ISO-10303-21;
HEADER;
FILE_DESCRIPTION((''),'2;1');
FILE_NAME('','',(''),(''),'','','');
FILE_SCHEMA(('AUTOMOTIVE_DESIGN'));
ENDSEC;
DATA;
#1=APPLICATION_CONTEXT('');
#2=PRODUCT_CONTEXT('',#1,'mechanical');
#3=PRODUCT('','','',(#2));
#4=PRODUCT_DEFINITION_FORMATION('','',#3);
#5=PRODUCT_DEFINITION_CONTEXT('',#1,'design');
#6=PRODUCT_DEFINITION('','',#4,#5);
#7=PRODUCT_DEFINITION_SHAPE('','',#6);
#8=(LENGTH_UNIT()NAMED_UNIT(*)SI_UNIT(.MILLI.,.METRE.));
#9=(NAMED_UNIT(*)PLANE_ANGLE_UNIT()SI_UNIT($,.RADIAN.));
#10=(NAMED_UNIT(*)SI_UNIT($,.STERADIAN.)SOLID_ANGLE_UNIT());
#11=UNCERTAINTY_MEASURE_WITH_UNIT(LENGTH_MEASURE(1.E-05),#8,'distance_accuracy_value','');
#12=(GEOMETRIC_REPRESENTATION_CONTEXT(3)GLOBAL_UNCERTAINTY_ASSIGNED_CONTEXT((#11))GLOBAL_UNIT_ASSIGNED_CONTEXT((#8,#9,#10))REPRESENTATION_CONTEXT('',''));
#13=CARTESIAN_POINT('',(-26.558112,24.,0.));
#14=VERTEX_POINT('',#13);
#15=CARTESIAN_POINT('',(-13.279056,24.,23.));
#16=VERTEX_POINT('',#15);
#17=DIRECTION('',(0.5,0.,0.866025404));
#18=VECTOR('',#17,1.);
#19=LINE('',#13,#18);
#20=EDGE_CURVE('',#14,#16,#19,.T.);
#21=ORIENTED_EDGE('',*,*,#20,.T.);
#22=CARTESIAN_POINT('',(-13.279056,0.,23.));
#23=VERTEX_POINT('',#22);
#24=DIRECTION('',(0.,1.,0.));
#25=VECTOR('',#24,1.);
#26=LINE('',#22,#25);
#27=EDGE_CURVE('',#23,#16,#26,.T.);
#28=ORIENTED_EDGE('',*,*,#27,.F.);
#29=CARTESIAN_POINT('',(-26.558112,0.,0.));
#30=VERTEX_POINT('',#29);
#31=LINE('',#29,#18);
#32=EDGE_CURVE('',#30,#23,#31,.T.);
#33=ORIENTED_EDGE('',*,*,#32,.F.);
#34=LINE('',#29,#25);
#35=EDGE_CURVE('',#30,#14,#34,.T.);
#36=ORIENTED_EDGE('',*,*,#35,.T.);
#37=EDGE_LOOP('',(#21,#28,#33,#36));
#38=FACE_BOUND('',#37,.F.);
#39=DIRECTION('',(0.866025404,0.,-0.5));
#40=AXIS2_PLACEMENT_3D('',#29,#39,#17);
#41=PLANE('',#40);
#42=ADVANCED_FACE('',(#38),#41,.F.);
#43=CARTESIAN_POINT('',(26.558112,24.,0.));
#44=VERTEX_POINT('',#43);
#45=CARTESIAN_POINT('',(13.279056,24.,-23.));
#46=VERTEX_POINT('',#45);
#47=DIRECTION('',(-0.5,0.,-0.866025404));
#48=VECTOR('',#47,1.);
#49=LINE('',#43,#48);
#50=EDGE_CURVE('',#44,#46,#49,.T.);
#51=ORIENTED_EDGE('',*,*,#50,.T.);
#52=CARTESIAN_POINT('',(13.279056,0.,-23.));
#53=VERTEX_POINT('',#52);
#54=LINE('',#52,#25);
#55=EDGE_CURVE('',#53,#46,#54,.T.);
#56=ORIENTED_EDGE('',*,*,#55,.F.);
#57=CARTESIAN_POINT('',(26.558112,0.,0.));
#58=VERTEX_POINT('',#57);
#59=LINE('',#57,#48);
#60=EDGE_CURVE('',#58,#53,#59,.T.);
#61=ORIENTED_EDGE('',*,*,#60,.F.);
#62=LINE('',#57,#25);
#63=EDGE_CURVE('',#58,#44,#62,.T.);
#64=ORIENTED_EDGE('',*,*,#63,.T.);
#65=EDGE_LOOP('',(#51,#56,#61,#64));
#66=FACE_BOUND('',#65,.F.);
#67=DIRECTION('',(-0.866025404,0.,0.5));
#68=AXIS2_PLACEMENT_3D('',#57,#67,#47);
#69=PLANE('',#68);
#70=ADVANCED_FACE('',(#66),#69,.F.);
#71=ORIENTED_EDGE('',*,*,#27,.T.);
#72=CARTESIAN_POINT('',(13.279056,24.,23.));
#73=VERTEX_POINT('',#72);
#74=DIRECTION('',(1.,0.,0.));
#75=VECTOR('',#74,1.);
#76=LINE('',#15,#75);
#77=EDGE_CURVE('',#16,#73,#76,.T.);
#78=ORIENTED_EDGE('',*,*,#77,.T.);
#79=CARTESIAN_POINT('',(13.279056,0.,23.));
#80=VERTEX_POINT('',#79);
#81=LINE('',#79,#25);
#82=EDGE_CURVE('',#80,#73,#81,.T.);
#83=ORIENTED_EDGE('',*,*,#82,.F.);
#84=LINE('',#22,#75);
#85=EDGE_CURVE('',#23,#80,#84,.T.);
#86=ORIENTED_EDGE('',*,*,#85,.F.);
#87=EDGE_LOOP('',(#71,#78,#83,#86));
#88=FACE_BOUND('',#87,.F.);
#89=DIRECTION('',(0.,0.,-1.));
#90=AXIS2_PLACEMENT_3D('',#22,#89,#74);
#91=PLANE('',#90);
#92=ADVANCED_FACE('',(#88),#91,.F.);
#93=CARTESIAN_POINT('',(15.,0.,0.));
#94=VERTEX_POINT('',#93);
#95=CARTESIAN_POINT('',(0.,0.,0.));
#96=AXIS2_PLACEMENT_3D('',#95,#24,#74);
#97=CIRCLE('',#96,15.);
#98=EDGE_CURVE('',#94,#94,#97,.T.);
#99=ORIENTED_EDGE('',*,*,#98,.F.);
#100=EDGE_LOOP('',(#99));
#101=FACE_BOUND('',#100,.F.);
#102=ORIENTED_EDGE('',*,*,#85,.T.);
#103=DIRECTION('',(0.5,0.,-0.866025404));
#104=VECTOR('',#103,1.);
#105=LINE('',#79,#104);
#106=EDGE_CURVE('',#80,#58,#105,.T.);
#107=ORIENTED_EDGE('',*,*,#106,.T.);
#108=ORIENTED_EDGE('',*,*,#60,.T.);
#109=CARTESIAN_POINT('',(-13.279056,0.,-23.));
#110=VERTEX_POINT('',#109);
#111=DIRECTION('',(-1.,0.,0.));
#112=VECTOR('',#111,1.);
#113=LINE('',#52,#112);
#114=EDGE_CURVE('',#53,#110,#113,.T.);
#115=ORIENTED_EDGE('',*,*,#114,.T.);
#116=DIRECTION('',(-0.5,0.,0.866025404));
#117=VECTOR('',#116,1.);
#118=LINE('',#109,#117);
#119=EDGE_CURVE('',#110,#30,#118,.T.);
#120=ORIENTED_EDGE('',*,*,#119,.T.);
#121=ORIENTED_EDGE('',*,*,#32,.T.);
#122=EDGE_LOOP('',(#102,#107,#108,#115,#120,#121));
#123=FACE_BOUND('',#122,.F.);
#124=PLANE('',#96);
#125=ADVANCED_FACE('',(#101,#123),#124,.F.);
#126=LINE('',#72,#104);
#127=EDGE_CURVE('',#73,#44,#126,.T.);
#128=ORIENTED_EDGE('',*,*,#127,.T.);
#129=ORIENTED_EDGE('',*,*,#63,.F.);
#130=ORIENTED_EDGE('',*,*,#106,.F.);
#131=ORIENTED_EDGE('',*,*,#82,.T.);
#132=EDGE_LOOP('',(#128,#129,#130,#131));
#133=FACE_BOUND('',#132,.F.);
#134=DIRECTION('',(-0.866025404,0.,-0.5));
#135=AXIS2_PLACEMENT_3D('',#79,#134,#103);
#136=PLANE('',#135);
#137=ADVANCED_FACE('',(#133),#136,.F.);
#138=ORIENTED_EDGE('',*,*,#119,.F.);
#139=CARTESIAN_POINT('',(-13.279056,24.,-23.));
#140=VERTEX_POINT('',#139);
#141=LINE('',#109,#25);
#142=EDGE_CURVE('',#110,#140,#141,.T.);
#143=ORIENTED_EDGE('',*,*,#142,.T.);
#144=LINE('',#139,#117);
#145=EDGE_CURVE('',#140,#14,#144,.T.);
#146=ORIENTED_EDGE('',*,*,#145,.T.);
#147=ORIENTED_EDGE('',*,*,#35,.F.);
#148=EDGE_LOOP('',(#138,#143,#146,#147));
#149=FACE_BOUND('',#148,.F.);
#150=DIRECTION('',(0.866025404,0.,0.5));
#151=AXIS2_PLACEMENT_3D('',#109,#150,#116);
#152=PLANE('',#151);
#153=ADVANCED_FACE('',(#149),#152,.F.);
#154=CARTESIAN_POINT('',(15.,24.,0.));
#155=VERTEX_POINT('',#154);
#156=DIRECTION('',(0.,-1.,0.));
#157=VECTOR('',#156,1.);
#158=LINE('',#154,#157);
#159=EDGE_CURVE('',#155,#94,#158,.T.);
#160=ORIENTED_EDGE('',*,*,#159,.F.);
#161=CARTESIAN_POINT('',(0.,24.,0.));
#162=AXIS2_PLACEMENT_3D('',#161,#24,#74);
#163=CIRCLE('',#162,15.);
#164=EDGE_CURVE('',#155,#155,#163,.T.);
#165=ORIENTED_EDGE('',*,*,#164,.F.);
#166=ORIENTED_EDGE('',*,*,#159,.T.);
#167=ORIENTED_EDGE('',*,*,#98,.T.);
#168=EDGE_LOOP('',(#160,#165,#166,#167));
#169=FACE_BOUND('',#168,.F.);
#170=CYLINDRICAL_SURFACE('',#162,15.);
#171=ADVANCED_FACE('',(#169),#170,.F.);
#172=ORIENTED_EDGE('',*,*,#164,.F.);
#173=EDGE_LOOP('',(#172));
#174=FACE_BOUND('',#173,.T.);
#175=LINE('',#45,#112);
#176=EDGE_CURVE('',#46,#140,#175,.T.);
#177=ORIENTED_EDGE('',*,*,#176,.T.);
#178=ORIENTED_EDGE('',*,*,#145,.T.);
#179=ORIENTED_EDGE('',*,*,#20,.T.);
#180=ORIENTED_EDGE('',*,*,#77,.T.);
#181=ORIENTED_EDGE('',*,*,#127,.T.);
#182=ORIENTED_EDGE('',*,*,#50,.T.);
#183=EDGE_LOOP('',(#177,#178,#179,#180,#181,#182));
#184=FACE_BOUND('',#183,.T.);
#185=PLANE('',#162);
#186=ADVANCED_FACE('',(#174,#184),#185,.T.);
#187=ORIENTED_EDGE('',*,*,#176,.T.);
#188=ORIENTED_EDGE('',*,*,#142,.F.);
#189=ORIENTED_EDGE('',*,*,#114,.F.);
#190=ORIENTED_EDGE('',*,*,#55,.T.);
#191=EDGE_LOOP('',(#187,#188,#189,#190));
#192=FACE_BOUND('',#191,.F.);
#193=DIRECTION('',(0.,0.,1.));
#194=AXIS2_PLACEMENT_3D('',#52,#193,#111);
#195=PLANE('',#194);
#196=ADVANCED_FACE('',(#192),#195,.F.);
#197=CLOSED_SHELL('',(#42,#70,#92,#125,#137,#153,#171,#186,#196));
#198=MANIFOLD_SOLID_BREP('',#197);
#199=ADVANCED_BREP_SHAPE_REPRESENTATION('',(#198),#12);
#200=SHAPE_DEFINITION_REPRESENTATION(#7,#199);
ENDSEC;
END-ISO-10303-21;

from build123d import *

# Parameters (mm, degrees)
BOSS_EXTRUDE1_DEPTH = 24
SKETCH2_R           = 15
CUT_EXTRUDE1_DEPTH  = 25


with BuildPart() as part:
    # Sketch1 → Boss-Extrude1 (new body)
    with BuildSketch(Plane(origin=(0, 0, 0), x_dir=(1, 0, 0), z_dir=(0, 1, 0))):
        Polygon((26.558112383, 0), (13.279056191, 23), (-13.279056191, 23), (-26.558112383, 0), (-13.279056191, -23), (13.279056191, -23), align=None)
    extrude(amount=BOSS_EXTRUDE1_DEPTH)

    # Sketch2 → Cut-Extrude1 (cut, through all)
    with BuildSketch(Plane(origin=(0, 24, 0), x_dir=(1, 0, 0), z_dir=(0, 1, 0))):
        Circle(SKETCH2_R)
    extrude(amount=-CUT_EXTRUDE1_DEPTH, mode=Mode.SUBTRACT)


solid = part.part
